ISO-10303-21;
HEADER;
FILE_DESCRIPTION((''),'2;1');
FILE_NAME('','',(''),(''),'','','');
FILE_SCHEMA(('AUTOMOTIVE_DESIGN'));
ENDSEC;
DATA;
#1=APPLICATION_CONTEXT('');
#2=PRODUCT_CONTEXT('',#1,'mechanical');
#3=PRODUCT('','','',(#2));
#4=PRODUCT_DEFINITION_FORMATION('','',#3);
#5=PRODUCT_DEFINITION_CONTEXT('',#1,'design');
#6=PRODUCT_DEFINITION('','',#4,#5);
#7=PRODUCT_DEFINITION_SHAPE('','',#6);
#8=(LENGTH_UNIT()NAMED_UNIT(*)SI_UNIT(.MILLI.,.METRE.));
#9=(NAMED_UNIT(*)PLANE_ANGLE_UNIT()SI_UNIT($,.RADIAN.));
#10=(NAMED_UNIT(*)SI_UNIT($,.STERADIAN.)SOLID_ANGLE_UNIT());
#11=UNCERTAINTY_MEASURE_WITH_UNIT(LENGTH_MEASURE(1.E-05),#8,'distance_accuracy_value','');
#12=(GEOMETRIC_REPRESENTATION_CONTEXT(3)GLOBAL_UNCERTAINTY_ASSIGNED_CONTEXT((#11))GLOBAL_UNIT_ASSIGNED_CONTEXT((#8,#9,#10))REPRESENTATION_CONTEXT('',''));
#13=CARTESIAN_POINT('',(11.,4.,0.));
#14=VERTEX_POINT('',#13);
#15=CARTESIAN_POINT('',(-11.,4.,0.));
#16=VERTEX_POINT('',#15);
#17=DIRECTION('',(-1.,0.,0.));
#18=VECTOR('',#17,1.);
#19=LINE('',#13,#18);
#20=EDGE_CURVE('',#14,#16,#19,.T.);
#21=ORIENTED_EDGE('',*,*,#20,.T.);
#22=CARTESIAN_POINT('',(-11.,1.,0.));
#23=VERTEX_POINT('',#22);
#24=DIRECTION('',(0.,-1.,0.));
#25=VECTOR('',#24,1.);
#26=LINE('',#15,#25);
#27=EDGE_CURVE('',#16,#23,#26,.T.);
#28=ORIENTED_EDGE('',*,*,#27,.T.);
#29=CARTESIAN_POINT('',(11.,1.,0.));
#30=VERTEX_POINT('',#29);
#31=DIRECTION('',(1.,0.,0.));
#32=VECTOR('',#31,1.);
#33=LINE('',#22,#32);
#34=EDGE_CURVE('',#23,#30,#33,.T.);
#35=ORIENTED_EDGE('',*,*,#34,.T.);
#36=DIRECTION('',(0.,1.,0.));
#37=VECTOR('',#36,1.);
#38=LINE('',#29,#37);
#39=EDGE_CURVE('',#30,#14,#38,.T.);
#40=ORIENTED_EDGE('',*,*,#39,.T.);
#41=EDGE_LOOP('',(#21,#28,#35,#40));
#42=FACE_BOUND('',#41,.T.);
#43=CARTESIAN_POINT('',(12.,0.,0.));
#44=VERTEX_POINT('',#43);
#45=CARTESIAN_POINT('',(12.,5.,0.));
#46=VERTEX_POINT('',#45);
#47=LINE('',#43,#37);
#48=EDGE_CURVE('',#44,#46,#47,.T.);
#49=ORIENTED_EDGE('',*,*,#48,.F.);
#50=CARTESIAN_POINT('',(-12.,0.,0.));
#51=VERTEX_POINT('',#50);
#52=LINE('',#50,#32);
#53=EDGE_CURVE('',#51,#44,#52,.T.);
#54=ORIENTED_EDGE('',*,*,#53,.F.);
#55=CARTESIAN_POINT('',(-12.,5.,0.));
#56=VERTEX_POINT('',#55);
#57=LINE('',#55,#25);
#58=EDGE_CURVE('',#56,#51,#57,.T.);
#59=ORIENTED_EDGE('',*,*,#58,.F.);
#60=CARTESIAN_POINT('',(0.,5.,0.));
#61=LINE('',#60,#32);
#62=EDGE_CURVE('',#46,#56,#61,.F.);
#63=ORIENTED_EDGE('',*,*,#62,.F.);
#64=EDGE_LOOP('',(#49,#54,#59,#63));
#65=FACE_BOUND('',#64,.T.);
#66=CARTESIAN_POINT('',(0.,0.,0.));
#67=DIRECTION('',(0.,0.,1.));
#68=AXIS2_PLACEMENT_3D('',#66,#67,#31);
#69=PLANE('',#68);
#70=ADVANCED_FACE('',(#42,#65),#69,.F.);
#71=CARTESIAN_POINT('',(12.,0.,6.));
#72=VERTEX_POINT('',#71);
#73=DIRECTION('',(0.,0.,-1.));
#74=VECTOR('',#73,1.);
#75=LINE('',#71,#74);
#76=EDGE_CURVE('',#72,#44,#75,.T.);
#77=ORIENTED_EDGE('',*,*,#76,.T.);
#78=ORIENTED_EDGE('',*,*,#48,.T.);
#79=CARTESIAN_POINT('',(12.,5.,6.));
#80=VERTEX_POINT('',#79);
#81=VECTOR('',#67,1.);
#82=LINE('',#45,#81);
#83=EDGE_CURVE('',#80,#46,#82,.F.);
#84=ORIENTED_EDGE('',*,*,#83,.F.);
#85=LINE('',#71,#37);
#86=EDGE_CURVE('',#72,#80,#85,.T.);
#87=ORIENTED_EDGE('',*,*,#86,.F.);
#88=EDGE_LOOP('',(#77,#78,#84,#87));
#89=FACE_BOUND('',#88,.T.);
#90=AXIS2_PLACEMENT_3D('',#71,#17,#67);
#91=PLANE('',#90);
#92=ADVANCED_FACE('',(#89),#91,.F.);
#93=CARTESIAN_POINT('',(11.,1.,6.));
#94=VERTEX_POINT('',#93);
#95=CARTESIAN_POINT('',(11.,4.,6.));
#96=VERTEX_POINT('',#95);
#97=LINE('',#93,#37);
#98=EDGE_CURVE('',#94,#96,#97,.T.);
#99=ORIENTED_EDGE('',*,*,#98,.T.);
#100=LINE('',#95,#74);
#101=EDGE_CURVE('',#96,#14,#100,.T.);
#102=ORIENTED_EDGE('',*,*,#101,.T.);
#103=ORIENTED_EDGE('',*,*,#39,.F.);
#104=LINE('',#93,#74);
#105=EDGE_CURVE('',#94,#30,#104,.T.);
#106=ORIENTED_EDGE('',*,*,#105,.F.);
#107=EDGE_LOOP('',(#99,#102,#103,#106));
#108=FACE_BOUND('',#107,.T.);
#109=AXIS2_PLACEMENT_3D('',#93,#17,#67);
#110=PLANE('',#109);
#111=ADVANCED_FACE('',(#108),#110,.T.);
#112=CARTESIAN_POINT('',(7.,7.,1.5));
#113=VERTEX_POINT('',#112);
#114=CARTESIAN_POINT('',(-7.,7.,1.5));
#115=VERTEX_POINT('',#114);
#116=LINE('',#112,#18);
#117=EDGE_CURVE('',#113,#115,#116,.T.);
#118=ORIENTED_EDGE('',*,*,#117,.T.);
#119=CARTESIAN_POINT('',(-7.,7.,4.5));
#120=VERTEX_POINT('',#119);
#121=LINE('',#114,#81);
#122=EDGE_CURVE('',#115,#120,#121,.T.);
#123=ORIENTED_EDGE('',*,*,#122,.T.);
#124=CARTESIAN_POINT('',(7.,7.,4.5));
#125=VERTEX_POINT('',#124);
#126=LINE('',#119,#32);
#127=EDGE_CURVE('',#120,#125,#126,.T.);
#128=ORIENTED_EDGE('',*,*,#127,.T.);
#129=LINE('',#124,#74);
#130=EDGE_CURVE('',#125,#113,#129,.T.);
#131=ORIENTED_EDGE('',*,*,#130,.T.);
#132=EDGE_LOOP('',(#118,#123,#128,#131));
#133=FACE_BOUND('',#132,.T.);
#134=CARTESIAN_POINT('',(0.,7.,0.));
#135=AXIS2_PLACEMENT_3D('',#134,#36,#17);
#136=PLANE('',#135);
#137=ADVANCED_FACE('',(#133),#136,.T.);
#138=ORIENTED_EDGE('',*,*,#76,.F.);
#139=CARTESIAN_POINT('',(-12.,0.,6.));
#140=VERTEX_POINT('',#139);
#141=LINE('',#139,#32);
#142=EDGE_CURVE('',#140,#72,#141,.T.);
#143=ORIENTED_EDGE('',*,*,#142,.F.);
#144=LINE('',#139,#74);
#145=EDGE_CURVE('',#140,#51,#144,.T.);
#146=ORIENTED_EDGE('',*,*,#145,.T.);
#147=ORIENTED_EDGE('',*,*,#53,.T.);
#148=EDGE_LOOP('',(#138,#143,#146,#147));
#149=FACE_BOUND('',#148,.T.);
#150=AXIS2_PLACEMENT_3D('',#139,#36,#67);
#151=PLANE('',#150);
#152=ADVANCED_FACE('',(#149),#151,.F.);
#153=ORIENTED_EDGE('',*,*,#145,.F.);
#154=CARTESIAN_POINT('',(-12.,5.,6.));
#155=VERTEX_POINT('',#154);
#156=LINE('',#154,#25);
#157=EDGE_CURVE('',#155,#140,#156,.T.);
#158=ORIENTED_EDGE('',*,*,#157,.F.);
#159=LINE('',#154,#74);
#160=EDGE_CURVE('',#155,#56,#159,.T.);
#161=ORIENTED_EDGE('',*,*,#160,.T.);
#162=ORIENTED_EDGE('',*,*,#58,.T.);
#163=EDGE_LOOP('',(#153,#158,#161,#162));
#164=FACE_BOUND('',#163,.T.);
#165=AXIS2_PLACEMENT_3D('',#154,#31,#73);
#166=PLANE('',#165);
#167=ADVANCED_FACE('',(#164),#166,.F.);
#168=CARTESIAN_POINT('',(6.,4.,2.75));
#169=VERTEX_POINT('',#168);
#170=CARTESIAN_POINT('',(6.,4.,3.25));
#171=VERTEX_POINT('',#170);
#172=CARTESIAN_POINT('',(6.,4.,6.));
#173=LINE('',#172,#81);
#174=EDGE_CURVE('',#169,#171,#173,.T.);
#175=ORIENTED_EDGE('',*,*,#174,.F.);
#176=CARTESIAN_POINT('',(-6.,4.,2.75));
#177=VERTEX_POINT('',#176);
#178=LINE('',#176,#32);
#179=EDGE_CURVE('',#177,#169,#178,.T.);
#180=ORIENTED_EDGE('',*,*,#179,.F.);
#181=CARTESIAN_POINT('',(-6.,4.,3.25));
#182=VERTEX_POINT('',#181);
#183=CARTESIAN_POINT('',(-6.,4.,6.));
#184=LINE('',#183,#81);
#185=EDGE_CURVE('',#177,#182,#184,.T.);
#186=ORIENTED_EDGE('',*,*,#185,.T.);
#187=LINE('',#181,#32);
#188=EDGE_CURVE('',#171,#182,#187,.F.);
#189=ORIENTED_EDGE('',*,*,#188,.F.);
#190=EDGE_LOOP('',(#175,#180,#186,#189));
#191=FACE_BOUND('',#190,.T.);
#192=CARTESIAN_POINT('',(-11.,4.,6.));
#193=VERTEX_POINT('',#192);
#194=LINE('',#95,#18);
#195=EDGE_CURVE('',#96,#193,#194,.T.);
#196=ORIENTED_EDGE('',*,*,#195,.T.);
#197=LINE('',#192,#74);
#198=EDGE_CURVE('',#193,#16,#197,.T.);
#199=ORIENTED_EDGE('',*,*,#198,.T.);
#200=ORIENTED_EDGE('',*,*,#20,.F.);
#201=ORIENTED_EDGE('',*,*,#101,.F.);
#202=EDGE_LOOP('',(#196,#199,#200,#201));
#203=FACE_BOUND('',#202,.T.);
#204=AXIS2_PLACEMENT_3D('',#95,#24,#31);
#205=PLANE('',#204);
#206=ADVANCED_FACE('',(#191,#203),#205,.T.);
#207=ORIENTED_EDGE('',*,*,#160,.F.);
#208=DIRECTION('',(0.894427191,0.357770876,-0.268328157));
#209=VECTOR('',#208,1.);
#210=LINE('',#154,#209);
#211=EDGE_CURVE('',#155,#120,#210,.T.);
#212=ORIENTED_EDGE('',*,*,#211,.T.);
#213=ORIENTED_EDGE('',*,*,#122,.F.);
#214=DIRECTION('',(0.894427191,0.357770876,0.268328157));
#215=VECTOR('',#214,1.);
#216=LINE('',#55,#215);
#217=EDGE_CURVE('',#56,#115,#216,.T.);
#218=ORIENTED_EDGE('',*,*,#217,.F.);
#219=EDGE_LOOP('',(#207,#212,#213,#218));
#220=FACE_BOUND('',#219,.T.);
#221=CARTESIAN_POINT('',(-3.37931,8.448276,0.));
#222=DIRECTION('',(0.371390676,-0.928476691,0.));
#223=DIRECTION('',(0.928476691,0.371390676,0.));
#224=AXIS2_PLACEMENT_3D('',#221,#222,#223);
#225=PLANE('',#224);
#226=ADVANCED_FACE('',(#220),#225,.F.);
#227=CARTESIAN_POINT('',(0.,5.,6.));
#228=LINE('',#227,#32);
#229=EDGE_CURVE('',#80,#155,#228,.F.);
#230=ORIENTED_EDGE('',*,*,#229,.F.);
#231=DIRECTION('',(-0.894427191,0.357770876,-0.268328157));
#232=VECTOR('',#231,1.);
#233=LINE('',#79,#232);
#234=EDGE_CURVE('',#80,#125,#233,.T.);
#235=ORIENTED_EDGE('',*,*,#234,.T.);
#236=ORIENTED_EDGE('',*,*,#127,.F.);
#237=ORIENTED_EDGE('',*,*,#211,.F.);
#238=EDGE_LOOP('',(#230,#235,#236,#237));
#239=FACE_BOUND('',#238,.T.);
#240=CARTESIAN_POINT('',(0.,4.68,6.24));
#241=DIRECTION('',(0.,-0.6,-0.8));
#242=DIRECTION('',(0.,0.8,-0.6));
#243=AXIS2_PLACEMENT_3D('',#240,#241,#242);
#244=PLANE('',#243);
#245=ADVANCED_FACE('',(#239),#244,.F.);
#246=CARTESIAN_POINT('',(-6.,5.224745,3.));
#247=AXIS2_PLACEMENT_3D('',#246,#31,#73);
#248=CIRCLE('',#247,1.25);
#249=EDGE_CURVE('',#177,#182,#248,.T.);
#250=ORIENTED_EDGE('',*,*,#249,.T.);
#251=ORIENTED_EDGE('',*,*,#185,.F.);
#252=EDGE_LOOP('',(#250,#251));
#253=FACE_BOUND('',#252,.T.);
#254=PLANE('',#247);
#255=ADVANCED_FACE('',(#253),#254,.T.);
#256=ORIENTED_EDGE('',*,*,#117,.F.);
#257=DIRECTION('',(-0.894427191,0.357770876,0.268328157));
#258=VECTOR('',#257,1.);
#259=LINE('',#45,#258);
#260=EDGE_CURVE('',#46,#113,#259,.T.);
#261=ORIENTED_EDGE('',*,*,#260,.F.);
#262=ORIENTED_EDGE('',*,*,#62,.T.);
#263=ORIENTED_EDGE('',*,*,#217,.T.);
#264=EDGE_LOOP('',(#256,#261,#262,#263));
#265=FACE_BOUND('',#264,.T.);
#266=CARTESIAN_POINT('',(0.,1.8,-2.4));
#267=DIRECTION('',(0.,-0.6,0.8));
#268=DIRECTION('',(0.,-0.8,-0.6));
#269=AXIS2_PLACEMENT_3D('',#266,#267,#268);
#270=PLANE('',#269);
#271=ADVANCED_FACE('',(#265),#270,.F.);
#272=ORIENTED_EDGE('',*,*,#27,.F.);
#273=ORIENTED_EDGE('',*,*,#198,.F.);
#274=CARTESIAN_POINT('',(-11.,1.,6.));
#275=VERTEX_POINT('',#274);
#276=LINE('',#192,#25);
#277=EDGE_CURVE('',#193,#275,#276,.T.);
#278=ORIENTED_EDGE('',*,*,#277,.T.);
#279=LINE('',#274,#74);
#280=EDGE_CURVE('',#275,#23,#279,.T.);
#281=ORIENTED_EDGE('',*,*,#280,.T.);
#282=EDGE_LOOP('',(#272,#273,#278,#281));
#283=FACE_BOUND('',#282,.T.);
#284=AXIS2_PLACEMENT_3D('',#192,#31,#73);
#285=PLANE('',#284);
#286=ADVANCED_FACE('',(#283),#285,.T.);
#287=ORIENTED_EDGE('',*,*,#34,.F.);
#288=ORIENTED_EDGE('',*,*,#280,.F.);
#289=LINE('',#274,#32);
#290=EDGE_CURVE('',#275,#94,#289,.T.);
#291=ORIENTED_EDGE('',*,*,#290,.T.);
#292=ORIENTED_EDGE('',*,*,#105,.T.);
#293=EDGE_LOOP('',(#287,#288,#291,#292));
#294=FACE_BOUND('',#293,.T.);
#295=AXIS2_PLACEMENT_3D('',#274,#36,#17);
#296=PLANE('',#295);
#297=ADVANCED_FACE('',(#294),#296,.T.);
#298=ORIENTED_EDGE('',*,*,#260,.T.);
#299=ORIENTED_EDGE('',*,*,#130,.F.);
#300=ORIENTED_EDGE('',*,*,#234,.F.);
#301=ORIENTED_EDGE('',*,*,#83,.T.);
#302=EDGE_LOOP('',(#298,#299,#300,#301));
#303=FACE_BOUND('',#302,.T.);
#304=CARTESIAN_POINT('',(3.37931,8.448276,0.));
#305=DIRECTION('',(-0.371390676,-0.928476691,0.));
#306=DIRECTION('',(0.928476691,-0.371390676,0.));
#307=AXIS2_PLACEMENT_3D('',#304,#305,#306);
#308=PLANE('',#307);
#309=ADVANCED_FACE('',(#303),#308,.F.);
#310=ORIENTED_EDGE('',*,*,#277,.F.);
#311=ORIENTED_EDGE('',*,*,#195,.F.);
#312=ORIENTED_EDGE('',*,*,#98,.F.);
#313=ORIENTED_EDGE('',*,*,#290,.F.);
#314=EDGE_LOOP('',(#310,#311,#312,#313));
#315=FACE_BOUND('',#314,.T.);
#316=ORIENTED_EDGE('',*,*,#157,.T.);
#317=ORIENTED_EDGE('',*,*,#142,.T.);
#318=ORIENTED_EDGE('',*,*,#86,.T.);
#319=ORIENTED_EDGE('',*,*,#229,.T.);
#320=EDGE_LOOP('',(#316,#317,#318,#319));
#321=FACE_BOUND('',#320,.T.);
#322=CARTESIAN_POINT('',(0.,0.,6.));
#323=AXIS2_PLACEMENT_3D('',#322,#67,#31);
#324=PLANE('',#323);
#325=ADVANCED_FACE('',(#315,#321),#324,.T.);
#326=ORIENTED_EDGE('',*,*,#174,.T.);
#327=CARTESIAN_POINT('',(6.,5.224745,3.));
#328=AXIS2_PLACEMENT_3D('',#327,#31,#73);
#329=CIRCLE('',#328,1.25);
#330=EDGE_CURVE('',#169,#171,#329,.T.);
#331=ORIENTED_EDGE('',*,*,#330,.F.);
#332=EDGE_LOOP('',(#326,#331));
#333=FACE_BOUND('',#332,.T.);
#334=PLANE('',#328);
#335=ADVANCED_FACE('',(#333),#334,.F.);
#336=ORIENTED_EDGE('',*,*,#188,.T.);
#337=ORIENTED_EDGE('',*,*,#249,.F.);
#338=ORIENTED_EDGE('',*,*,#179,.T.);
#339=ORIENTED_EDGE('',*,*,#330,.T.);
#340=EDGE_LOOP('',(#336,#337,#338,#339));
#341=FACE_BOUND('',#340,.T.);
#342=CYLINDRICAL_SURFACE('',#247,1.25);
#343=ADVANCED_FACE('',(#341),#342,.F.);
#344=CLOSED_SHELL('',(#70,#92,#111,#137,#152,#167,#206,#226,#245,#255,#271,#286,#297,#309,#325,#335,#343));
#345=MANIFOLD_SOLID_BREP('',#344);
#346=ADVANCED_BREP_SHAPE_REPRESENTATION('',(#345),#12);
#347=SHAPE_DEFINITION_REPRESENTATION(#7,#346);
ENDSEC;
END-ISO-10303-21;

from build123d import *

# Parameters (mm, degrees)
SKETCH1_W           = 24
SKETCH1_H           = 5
SKETCH1_W_2         = 22
SKETCH1_H_2         = 3
BOSS_EXTRUDE1_DEPTH = 6
SKETCH2_W           = 14
SKETCH2_H           = 3
SKETCH5_R           = 1.25
CUT_EXTRUDE1_DEPTH  = 6


with BuildPart() as part:
    # Sketch1 → Boss-Extrude1 (new body)
    with BuildSketch(Plane.XY):
        with Locations((0, 2.5)):
            Rectangle(SKETCH1_W, SKETCH1_H)
        with Locations((0, 2.5)):
            Rectangle(SKETCH1_W_2, SKETCH1_H_2, mode=Mode.SUBTRACT)
    extrude(amount=BOSS_EXTRUDE1_DEPTH)

    # Sketch2 → section 1 of loft1
    with BuildSketch(Plane(origin=(0, 7, 0), x_dir=(1, 0, 0), z_dir=(0, 1, 0)), mode=Mode.PRIVATE) as loft1_s1:
        with Locations((0, -3)):
            Rectangle(SKETCH2_W, SKETCH2_H)
    # loft from a face of the part (loft1)
    loft([part.faces().sort_by_distance((0, 5, 3))[0], loft1_s1.sketch])

    # Sketch5 → Cut-Extrude1 (cut, symmetric)
    with BuildSketch(Plane(origin=(0, 0, 0), x_dir=(0, 0, -1), z_dir=(1, 0, 0))):
        with Locations((-3, 5.224744871)):
            Circle(SKETCH5_R)
    extrude(amount=CUT_EXTRUDE1_DEPTH, both=True, mode=Mode.SUBTRACT)


solid = part.part
